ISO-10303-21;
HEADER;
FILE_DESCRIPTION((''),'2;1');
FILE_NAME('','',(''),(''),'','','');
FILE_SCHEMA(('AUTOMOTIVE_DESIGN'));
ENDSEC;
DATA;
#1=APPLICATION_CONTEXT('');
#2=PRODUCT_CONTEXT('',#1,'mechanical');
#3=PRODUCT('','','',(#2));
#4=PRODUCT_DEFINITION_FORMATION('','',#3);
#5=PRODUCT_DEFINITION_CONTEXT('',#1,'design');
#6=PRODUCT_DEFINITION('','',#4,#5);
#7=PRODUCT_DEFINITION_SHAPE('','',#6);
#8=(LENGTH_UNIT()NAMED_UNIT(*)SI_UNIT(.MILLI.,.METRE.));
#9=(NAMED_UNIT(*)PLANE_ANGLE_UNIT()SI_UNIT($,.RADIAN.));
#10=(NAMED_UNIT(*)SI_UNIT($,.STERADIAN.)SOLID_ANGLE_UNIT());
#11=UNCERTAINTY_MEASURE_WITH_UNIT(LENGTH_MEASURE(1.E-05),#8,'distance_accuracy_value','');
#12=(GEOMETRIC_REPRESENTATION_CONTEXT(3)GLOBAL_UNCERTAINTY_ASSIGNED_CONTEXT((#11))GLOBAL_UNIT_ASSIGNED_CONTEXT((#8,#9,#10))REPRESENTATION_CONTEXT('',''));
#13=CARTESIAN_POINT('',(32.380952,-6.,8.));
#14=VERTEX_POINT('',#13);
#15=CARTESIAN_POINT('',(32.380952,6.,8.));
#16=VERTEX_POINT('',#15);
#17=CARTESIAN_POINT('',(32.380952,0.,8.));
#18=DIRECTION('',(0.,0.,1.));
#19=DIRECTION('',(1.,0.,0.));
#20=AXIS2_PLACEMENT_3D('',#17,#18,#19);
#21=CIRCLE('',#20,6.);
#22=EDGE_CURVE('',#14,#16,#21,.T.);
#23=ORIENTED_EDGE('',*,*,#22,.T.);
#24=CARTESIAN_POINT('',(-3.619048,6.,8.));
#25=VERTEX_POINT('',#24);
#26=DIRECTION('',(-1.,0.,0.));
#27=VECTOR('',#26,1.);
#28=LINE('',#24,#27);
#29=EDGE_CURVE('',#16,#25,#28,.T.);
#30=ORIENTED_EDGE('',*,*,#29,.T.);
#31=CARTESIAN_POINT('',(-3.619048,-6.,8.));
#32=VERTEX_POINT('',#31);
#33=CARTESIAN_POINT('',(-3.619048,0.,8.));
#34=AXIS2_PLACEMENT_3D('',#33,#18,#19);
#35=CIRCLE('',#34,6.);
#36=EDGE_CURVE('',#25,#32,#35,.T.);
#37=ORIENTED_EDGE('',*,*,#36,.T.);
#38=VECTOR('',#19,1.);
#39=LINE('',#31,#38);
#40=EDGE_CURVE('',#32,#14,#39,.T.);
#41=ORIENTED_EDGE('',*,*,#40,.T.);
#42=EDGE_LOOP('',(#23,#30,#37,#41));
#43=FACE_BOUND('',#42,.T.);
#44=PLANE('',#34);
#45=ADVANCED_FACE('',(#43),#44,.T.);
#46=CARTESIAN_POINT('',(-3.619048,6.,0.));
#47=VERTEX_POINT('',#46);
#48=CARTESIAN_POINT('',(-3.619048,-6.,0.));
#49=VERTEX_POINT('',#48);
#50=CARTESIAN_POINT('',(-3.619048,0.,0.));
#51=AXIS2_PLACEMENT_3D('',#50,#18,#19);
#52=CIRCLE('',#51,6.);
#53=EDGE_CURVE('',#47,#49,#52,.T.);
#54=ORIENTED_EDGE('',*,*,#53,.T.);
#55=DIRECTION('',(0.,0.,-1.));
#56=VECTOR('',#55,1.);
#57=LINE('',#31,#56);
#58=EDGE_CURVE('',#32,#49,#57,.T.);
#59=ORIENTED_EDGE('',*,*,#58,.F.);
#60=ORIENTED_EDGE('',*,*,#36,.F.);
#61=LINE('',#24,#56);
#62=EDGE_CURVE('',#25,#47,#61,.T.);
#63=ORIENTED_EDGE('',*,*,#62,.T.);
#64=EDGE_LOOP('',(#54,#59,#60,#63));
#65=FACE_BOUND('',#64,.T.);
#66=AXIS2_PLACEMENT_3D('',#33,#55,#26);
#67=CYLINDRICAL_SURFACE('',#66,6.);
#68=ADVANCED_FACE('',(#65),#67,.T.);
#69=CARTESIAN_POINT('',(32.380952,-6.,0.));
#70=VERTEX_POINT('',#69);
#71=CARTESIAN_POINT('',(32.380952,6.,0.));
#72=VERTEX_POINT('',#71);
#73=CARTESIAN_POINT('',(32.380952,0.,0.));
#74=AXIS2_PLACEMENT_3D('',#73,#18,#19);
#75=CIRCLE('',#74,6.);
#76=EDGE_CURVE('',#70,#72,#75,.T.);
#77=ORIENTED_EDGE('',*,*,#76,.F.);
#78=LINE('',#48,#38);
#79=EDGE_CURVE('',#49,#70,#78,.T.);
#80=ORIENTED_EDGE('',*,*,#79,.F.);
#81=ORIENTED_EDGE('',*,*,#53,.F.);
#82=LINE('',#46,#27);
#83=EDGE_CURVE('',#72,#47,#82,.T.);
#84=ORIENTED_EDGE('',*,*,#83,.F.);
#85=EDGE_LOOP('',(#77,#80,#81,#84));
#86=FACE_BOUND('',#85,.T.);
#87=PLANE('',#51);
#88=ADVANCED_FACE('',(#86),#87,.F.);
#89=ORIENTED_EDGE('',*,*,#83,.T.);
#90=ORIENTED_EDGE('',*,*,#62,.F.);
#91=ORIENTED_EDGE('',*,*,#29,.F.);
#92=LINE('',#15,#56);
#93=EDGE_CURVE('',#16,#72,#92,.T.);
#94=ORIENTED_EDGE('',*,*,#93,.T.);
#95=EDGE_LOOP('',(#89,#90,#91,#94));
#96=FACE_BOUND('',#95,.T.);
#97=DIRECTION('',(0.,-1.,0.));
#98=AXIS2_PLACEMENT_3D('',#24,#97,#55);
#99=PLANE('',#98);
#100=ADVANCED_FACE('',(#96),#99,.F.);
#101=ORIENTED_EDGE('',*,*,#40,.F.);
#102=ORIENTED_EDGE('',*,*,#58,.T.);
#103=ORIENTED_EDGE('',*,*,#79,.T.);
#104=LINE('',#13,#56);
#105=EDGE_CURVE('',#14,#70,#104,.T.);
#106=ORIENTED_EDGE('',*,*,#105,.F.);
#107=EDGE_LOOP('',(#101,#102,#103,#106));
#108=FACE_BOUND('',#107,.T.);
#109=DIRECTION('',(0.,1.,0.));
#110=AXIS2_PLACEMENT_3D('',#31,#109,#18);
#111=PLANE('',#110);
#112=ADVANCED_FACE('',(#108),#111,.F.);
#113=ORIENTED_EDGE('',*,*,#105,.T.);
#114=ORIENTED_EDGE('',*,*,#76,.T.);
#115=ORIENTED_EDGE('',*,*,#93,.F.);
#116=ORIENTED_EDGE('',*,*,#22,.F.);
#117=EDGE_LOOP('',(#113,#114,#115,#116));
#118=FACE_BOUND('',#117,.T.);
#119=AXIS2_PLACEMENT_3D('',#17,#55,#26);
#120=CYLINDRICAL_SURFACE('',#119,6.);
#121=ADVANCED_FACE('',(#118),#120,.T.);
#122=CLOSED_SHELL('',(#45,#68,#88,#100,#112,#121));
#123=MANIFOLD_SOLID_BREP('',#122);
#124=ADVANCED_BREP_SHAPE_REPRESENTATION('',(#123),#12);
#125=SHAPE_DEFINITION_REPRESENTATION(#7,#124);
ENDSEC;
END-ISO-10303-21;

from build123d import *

# Parameters (mm, degrees)
BOSS_EXTRUDE1_DEPTH = 8


with BuildPart() as part:
    # Sketch2 → Boss-Extrude1 (new body)
    with BuildSketch(Plane.XY):
        with BuildLine():
            Line((-3.619047619, 6), (32.380952381, 6))
            ThreePointArc((32.380952381, 6), (38.380952381, 0), (32.380952381, -6))
            Line((32.380952381, -6), (-3.619047619, -6))
            ThreePointArc((-3.619047619, -6), (-9.619047619, 0), (-3.619047619, 6))
        make_face()
    extrude(amount=BOSS_EXTRUDE1_DEPTH)


solid = part.part
